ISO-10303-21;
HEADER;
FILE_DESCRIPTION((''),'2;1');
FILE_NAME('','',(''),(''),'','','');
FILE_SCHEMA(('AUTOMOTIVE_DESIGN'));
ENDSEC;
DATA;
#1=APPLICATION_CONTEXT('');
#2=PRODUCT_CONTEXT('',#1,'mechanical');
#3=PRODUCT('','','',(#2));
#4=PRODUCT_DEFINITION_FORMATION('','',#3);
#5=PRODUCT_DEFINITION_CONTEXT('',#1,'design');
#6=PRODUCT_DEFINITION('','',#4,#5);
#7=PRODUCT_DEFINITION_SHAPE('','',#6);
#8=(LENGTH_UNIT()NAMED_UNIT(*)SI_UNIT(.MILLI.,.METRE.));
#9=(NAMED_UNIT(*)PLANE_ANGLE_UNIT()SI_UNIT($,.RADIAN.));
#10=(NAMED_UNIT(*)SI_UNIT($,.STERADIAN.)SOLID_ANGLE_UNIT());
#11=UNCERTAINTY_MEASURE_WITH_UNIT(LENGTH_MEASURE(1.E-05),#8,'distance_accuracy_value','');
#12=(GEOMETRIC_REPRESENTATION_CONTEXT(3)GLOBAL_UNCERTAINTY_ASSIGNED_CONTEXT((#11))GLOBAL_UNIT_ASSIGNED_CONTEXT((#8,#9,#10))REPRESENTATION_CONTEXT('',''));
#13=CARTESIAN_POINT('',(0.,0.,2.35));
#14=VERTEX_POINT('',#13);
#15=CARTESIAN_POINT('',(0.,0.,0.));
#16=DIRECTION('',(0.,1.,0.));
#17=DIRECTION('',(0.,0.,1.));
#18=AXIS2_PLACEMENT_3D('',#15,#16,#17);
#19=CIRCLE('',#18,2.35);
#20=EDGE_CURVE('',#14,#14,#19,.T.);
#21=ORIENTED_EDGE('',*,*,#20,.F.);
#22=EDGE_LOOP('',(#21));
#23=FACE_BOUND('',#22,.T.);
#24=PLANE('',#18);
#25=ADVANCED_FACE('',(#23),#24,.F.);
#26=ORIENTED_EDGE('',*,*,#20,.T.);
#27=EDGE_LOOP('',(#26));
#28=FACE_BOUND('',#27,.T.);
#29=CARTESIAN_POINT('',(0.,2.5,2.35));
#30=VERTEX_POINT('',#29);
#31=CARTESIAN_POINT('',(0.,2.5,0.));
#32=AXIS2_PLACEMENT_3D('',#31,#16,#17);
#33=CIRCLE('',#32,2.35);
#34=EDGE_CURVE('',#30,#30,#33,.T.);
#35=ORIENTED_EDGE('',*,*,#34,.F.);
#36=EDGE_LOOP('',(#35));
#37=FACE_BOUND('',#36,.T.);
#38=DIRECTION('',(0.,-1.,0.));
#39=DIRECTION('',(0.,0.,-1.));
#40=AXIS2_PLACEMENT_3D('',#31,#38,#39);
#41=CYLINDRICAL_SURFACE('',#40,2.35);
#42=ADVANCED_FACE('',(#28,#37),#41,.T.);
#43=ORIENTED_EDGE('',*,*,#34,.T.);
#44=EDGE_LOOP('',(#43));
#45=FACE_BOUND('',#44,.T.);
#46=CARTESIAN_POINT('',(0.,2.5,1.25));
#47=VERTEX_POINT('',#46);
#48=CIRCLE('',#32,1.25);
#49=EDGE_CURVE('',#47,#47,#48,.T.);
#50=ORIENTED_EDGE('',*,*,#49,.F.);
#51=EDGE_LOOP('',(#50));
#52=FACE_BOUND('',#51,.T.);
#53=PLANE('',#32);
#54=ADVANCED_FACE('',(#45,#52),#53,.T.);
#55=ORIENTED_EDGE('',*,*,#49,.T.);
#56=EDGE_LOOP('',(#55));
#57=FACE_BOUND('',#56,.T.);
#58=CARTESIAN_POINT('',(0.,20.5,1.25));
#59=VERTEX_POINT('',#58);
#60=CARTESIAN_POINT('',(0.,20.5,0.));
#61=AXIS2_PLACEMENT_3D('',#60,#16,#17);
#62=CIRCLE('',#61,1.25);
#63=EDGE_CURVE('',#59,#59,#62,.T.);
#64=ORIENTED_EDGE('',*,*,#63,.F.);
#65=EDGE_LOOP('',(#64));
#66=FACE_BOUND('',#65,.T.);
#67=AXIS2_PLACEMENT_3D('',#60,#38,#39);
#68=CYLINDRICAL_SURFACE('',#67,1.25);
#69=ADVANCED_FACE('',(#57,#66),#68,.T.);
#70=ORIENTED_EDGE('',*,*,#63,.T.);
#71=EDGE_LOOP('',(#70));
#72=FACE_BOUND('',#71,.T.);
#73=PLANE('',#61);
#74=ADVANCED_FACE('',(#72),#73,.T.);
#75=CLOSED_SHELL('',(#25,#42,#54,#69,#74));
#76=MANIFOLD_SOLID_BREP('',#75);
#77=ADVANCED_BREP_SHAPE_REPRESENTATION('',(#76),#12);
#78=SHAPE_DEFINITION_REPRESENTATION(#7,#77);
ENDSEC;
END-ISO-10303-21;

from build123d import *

# Parameters (mm, degrees)
SKETCH_1_R        = 2.35
EXTRUDE_226_DEPTH = 2.5
SKETCH_2_R        = 1.25
EXTRUDE_318_DEPTH = 18


with BuildPart() as part:
    # 草图1 → Extrude 226 (new body)
    with BuildSketch(Plane(origin=(0, 0, 0), x_dir=(1, 0, 0), z_dir=(0, 1, 0))):
        with Locations(Location((0, 0, 0), (0, 0, 270))):
            Circle(SKETCH_1_R)
    extrude(amount=EXTRUDE_226_DEPTH)

    # 草图2 → Extrude 318 (add)
    with BuildSketch(Plane(origin=(0, 2.5, 0), x_dir=(1, 0, 0), z_dir=(0, 1, 0))):
        with Locations(Location((0, 0, 0), (0, 0, 270))):
            Circle(SKETCH_2_R)
    extrude(amount=EXTRUDE_318_DEPTH)


solid = part.part
